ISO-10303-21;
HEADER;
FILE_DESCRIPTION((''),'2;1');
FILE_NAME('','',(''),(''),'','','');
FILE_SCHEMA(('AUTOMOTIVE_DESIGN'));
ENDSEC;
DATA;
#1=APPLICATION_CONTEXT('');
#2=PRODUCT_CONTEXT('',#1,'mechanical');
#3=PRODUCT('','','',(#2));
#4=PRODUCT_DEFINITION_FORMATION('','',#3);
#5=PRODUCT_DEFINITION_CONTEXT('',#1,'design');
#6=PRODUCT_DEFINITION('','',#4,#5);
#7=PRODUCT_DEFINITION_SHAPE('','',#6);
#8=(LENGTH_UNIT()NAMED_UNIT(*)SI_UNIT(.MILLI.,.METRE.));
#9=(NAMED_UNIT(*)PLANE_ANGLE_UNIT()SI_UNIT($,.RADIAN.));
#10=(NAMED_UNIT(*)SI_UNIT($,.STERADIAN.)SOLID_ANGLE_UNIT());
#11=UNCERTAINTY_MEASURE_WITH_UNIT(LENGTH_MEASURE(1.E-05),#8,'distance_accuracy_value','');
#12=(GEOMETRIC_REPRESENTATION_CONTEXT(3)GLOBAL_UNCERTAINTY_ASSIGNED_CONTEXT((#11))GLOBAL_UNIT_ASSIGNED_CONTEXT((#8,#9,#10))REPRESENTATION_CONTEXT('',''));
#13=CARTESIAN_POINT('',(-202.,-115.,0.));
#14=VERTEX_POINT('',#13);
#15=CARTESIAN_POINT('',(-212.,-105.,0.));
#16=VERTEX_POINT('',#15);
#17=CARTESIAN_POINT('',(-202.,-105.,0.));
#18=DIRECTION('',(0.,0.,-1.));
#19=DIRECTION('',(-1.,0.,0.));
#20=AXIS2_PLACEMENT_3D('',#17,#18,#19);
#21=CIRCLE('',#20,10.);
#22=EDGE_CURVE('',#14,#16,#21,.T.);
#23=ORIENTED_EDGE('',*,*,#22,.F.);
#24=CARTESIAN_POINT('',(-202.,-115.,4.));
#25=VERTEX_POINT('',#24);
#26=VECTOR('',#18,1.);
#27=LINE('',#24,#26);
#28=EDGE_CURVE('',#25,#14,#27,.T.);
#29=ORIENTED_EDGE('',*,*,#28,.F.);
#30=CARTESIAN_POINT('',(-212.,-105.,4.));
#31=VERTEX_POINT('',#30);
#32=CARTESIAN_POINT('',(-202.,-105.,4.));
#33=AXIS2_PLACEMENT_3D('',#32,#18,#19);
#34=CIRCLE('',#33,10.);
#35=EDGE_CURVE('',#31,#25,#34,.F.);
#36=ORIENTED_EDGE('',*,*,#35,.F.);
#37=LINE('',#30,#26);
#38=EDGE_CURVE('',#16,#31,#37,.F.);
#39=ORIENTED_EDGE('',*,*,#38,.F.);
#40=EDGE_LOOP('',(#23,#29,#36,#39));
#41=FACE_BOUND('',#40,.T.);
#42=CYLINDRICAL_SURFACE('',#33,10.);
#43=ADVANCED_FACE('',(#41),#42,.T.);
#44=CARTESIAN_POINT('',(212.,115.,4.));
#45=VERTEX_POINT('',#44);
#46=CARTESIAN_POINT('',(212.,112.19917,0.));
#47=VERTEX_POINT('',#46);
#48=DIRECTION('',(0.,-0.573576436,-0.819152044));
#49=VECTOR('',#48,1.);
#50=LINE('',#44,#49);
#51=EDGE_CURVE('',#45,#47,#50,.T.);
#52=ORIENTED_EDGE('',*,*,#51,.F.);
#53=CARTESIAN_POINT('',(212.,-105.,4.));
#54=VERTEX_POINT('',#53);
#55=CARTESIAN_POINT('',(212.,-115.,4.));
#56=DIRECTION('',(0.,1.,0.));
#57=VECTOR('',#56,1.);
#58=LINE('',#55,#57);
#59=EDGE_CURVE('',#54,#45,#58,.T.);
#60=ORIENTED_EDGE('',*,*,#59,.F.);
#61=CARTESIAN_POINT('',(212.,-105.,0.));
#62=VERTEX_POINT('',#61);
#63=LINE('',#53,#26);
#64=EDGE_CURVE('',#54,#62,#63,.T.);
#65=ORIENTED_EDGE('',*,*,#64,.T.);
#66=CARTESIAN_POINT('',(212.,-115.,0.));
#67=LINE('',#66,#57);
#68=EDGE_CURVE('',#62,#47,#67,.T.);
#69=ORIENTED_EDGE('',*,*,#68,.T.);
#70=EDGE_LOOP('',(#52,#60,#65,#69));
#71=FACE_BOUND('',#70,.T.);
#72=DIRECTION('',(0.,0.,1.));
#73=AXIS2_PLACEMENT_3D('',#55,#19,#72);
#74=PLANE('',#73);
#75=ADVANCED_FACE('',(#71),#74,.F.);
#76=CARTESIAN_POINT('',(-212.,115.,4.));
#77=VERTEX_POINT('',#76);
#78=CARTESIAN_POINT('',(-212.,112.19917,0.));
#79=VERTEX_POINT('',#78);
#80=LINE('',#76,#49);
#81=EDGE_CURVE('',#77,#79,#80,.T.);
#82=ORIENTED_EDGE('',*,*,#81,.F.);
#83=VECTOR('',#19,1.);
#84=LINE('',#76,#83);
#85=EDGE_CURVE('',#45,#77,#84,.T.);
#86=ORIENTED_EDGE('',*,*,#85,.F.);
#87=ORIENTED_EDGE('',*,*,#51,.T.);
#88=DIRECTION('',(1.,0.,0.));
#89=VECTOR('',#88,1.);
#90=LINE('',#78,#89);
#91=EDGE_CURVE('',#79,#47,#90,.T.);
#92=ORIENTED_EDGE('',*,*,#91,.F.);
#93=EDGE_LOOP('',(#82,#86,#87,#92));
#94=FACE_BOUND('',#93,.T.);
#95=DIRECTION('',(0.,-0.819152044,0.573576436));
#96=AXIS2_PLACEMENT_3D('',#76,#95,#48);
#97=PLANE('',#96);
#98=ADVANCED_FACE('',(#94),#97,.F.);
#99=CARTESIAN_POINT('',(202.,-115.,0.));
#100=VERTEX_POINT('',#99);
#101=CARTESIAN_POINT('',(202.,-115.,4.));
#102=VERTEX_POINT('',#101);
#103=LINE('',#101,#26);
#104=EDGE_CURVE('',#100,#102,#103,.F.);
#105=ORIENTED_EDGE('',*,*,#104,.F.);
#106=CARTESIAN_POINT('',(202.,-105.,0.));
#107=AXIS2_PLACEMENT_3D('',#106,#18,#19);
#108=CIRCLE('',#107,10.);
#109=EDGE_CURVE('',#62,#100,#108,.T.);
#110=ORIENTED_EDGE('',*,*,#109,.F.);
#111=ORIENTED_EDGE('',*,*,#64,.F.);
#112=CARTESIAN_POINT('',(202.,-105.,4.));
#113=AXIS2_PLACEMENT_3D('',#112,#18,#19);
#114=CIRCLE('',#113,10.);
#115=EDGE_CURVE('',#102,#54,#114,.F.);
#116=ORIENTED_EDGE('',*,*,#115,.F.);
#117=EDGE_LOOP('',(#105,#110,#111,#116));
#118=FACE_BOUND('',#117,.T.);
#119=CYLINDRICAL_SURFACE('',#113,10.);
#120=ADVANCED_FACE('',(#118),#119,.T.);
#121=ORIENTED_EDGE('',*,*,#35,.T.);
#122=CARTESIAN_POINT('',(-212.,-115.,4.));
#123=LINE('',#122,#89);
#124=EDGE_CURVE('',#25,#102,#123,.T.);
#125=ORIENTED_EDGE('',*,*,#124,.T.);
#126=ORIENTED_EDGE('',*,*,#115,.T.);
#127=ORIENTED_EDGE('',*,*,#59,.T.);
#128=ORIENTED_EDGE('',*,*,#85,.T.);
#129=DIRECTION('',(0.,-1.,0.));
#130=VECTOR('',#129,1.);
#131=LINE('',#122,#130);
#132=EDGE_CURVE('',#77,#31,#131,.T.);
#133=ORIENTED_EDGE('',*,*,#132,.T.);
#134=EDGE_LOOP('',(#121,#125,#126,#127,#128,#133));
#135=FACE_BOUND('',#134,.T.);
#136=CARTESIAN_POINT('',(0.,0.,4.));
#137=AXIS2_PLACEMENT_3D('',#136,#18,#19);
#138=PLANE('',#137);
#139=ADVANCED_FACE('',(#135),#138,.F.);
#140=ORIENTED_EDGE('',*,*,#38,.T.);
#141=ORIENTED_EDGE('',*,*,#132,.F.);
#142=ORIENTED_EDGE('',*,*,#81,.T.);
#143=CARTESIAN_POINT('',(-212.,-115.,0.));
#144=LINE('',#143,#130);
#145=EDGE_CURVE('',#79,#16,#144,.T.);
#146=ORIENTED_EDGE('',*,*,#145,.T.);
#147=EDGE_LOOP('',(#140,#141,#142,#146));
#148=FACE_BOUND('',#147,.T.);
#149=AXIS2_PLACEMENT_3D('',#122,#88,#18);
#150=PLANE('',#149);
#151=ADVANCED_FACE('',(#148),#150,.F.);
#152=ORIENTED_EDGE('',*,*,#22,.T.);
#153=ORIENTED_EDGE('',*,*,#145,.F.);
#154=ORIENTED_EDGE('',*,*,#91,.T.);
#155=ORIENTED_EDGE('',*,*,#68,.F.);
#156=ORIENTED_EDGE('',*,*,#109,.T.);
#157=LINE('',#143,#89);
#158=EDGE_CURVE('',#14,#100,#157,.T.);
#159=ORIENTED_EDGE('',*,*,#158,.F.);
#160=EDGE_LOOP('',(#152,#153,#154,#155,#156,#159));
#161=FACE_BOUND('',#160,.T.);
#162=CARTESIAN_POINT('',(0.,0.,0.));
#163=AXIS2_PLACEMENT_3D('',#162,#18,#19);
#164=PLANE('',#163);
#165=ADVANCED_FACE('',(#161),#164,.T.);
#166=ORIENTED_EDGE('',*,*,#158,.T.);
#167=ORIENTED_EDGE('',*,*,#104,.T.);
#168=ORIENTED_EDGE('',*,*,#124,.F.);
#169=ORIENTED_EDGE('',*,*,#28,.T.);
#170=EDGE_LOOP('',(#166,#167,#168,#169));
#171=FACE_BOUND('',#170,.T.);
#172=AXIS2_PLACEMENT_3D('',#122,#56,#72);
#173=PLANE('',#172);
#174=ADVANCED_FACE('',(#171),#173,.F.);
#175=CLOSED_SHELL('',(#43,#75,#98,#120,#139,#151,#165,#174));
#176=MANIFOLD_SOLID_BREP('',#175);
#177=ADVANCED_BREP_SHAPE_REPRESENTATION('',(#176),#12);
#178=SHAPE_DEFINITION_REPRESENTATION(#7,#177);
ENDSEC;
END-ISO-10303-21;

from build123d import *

# Parameters (mm, degrees)
SKETCH_1_W          = 424
SKETCH_1_H          = 230
EXTRUDE_1_DEPTH     = 4
FILLET_1_R          = 10
CUT_EXTRUDE_1_DEPTH = 440.337000491


with BuildPart() as part:
    # Эскиз1 → Бобышка-Вытянуть1 (new body)
    with BuildSketch(Plane.XY):
        Rectangle(SKETCH_1_W, SKETCH_1_H)
    extrude(amount=EXTRUDE_1_DEPTH)

    # Скругление1
    fillet_1_edges = [part.edges().sort_by_distance(p)[0] for p in [
        (212, -115, 2),
        (-212, -115, 2),
    ]]
    fillet(fillet_1_edges, radius=FILLET_1_R)

    # Эскиз2 → Вырез-Вытянуть1 (cut, through all)
    with BuildSketch(Plane(origin=(212, 0, 0), x_dir=(0, 0, -1), z_dir=(1, 0, 0))):
        Polygon((-4, 115), (0, 112.199169847), (0, 115), align=None)
    extrude(amount=-CUT_EXTRUDE_1_DEPTH, mode=Mode.SUBTRACT)


solid = part.part
